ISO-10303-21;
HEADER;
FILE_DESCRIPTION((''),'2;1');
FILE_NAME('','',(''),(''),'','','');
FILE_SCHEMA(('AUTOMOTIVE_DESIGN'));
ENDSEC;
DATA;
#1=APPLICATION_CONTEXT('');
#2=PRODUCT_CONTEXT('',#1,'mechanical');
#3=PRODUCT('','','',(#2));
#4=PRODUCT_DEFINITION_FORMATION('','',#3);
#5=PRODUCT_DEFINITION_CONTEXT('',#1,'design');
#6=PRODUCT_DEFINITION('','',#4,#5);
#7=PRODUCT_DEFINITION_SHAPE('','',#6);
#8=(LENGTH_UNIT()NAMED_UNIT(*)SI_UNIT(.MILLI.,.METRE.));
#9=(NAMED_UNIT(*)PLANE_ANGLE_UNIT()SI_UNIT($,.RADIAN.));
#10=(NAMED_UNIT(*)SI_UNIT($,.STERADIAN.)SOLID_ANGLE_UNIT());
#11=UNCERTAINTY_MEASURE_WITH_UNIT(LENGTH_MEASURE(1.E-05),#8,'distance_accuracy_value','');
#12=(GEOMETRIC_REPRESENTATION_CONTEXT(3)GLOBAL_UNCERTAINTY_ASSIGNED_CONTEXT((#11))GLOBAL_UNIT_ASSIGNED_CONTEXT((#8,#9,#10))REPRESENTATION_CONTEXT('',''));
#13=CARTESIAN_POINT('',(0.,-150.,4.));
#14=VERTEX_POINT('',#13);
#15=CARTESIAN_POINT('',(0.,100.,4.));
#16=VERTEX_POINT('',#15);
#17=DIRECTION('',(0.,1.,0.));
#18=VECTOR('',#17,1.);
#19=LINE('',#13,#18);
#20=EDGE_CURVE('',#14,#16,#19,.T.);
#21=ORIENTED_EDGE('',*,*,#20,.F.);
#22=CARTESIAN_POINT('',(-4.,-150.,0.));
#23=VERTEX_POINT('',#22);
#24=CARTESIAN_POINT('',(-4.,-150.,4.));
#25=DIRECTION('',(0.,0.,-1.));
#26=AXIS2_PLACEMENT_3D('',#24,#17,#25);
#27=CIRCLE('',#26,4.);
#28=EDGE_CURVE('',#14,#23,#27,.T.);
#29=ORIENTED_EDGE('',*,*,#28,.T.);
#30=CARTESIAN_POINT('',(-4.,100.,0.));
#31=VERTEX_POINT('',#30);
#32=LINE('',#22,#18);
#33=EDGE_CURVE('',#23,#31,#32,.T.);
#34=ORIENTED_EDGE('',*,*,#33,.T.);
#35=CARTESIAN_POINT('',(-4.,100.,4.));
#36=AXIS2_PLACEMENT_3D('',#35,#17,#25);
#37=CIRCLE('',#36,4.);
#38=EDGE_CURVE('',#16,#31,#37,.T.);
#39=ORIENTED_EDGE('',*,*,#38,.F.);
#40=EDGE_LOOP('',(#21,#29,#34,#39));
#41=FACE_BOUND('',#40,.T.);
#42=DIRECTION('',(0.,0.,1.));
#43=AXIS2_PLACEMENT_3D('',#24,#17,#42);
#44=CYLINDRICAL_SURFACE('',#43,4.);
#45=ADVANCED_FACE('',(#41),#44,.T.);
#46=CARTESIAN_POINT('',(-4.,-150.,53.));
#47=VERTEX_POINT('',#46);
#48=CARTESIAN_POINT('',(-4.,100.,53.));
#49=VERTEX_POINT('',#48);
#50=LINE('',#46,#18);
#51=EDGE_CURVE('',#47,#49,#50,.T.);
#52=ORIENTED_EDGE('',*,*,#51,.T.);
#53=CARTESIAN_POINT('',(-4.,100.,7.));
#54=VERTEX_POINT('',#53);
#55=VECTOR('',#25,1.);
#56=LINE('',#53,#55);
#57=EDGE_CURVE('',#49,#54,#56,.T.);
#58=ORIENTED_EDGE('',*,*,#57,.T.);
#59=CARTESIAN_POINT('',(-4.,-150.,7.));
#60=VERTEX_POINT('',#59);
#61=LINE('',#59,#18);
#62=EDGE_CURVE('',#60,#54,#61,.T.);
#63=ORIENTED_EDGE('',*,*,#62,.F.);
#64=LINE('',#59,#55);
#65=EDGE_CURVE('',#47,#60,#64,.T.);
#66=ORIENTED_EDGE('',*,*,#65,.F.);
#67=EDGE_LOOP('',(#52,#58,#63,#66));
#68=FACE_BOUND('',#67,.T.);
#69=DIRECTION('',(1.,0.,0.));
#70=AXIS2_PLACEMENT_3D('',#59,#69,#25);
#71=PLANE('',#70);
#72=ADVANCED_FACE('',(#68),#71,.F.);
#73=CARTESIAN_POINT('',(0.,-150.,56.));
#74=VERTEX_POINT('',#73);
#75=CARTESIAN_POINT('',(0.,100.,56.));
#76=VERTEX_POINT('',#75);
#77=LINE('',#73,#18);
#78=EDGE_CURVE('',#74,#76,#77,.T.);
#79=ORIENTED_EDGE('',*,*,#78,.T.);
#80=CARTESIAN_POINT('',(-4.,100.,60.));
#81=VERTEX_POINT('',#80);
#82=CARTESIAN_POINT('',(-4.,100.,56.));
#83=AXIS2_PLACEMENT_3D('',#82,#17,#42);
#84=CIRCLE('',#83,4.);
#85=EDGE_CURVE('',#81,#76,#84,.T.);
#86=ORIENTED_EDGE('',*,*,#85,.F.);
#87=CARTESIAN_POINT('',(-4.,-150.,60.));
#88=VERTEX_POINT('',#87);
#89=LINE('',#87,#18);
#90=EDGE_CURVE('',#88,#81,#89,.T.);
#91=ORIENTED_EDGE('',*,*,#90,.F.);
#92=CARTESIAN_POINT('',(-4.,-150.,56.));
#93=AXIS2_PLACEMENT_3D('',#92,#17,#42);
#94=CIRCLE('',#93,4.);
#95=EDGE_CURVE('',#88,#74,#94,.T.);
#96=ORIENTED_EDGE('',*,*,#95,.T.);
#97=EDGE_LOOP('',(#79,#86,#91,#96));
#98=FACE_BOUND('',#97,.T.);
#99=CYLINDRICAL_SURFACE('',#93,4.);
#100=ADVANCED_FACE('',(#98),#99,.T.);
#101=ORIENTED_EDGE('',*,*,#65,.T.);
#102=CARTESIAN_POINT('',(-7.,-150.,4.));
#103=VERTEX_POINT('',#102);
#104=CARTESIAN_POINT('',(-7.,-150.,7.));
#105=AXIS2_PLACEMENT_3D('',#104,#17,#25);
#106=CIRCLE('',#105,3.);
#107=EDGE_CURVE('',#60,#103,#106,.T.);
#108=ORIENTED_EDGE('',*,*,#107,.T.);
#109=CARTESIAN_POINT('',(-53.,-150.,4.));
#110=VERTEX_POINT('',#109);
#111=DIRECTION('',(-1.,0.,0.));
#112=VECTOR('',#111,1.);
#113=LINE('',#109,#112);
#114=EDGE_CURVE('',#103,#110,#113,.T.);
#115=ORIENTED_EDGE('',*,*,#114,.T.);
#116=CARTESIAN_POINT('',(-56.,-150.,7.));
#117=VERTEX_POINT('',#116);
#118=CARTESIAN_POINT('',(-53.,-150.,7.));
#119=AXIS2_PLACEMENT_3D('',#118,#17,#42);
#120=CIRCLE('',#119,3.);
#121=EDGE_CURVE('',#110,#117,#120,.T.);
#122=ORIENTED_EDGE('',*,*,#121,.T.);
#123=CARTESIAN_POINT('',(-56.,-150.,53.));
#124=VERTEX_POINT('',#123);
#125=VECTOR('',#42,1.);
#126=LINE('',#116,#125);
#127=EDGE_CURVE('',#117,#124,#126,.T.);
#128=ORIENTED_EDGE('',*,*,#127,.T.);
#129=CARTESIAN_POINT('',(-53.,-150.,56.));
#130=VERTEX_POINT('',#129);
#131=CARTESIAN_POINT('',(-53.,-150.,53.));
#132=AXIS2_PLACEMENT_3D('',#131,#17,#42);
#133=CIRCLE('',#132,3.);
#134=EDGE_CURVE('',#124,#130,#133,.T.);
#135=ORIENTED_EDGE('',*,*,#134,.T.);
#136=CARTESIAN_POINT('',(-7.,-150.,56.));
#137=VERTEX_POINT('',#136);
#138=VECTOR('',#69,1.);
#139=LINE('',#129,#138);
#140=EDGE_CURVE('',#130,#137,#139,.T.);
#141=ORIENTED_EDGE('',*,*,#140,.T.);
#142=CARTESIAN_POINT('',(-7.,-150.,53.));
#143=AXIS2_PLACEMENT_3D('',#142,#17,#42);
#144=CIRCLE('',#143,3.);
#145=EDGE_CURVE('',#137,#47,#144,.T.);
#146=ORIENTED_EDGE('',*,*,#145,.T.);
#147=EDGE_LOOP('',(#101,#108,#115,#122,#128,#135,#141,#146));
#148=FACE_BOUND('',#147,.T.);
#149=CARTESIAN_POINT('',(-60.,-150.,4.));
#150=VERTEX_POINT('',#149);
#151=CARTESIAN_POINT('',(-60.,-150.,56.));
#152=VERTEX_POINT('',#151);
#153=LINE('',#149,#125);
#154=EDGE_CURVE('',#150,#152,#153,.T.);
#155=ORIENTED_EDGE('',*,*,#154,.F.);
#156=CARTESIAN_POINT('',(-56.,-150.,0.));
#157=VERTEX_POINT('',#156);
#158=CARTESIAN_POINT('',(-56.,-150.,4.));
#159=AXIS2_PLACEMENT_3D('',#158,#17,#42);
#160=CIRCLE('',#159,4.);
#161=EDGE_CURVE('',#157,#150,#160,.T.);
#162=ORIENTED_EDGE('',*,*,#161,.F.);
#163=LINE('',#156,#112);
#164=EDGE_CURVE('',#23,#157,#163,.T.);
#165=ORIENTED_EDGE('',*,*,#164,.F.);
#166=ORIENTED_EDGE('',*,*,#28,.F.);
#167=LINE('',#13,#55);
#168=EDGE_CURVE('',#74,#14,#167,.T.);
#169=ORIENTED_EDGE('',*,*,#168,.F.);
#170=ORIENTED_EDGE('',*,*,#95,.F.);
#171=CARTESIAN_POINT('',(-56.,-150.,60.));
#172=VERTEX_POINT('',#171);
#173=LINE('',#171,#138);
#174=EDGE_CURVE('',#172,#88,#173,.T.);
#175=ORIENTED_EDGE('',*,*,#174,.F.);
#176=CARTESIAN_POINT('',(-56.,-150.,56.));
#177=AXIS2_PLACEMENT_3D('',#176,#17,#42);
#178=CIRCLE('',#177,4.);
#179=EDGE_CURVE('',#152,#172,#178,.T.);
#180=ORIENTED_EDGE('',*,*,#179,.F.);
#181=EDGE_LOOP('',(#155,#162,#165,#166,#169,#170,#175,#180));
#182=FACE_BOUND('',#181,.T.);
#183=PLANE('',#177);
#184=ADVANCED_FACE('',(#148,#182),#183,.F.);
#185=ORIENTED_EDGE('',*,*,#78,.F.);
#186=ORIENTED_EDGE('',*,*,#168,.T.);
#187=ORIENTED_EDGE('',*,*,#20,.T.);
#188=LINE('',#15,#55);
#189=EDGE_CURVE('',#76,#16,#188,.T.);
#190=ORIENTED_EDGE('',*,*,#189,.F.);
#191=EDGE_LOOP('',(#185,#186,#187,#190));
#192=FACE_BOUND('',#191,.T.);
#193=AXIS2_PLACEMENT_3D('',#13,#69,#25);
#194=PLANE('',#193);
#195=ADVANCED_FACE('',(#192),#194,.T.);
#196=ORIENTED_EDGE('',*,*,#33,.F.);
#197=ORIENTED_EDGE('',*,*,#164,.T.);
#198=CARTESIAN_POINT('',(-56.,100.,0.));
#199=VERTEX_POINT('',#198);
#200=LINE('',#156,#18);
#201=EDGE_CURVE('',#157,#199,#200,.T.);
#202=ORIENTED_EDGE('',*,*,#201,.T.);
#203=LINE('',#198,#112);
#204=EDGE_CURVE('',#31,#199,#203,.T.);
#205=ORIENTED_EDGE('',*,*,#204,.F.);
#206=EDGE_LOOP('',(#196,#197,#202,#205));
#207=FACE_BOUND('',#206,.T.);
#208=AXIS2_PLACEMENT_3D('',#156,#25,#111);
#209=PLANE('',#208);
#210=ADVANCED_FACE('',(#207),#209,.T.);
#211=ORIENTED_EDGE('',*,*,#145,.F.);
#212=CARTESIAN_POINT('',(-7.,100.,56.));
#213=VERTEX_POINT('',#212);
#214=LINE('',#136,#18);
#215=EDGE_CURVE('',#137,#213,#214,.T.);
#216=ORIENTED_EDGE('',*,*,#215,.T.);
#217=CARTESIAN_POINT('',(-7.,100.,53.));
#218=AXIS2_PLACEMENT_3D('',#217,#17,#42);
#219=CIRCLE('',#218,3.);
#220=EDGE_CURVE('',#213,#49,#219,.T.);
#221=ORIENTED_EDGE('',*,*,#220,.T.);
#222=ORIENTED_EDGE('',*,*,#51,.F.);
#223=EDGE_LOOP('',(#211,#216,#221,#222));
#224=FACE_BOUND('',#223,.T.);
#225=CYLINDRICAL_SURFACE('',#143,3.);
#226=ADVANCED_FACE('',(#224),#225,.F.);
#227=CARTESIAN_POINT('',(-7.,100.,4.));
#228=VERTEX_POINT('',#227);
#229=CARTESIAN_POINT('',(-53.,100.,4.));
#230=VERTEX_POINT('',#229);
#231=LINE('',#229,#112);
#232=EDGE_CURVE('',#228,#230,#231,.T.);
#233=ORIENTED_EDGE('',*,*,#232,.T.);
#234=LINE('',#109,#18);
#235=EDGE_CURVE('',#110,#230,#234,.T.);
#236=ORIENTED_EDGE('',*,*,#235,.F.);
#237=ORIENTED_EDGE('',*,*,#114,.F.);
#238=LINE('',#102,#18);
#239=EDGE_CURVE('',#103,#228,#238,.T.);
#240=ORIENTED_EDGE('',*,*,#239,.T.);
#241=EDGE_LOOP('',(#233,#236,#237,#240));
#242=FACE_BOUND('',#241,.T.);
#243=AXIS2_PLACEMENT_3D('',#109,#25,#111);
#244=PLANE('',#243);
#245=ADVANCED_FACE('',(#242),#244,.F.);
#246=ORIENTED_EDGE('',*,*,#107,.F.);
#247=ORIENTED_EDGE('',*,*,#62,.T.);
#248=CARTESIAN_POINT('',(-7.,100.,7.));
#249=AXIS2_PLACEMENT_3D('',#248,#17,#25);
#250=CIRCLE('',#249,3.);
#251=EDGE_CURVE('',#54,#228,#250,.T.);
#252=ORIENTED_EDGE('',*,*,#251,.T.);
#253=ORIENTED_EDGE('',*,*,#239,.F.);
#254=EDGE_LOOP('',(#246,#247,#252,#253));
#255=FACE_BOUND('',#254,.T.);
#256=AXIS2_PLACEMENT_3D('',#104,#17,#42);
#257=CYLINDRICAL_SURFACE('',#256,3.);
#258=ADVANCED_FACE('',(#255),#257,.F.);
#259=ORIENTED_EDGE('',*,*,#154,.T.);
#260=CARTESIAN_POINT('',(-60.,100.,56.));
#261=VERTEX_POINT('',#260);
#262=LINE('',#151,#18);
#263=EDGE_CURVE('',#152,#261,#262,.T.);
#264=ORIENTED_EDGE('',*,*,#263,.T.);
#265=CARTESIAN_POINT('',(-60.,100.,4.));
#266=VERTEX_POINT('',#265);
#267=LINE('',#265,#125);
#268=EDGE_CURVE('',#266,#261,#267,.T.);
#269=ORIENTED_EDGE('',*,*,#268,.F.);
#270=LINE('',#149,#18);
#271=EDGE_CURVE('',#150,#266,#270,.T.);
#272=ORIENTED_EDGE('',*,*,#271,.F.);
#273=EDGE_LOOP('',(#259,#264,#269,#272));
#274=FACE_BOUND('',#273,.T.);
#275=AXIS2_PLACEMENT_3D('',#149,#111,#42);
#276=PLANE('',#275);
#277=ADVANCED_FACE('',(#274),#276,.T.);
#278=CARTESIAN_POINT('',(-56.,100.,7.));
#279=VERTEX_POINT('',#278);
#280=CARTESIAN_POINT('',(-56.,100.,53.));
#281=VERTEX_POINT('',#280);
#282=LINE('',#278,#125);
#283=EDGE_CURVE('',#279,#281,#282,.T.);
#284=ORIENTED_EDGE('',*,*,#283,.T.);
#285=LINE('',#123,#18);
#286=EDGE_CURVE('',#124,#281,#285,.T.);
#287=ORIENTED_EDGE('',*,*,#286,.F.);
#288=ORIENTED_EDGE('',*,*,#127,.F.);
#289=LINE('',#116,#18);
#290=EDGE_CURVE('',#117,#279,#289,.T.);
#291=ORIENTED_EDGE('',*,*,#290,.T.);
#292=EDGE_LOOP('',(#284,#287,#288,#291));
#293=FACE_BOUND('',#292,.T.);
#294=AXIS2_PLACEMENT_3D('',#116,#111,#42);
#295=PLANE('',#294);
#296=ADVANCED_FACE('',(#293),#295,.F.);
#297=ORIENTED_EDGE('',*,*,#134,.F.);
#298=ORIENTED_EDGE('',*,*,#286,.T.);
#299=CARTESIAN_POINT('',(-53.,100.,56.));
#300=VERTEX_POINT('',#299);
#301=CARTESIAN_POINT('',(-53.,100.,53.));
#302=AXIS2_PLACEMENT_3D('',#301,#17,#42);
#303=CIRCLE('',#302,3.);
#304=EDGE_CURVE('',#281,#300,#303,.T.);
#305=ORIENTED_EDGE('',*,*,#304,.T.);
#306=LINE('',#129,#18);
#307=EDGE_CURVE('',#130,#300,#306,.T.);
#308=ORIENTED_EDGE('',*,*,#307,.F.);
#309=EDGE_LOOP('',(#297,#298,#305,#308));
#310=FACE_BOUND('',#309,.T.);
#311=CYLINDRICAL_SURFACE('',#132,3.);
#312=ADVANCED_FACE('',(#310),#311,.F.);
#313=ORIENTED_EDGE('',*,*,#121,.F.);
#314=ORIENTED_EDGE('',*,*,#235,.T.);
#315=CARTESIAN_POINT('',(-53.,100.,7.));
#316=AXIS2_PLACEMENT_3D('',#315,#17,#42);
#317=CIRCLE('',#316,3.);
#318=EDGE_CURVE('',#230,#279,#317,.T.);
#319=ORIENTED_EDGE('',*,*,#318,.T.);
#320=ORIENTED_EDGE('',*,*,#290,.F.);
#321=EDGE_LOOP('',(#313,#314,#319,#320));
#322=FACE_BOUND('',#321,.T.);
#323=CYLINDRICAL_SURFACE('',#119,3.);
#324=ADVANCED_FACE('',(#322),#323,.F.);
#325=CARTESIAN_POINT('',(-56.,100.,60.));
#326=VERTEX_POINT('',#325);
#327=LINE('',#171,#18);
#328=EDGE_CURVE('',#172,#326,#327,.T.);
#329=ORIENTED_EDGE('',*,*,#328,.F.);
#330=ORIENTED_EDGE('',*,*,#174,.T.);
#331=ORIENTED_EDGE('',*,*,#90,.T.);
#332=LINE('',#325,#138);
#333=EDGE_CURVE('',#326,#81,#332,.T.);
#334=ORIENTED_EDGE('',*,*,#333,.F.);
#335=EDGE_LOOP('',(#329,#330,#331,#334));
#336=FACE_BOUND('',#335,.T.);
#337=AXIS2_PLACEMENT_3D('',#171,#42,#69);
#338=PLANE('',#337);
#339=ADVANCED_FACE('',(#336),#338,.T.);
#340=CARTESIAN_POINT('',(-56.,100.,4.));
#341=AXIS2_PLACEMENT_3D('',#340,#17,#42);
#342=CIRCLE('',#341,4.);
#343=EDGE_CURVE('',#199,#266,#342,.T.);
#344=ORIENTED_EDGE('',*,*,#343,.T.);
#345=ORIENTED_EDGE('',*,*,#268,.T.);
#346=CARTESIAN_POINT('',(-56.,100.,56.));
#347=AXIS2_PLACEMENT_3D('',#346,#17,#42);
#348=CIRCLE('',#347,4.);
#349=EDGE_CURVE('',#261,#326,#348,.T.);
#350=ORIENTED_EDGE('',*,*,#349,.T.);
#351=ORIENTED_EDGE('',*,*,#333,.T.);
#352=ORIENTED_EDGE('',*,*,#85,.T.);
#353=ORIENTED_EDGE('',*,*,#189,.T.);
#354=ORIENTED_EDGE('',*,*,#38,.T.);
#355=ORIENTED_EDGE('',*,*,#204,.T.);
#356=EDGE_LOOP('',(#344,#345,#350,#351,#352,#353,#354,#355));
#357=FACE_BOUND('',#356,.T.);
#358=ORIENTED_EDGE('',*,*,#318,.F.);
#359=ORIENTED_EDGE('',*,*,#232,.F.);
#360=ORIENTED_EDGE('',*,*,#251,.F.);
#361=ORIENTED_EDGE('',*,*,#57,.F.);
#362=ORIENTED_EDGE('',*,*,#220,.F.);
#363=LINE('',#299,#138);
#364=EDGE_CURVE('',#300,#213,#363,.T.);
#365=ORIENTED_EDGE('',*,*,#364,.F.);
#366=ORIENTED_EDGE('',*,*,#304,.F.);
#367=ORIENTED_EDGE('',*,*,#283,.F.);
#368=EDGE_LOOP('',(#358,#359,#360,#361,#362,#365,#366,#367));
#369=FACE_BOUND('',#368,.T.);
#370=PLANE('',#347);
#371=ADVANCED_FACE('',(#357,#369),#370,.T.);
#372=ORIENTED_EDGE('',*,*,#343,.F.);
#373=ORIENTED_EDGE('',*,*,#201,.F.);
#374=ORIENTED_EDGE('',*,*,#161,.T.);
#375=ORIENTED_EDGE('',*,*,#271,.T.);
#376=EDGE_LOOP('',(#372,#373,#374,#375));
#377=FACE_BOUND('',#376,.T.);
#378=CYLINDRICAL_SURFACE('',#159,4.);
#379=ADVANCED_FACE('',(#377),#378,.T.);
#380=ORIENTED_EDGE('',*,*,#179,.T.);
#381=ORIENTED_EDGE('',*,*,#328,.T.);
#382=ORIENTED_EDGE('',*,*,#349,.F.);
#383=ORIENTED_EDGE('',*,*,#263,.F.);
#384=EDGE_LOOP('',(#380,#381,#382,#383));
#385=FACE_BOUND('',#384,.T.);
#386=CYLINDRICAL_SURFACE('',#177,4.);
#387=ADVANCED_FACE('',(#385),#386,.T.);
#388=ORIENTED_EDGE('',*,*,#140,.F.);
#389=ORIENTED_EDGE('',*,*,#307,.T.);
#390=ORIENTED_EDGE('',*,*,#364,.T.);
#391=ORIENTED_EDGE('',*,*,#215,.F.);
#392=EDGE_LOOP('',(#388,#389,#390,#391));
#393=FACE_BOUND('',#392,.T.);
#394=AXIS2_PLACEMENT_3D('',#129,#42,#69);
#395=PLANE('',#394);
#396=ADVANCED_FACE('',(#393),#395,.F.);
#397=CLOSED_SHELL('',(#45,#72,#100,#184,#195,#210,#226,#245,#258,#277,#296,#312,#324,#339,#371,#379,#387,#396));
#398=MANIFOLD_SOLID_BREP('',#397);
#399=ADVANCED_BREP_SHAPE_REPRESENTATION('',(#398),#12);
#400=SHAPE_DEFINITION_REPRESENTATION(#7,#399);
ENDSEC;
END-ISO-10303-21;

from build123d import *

# Parameters (mm, degrees)
EXTRUDE_1_DEPTH      = 100
EXTRUDE_1_DEPTH_BACK = 150


with BuildPart() as part:
    # Эскиз1 → Бобышка-Вытянуть1 (new, two sides: drawn at the far end of the back side and taken through both)
    with BuildSketch(Plane(origin=(0, 0, 0), x_dir=(1, 0, 0), z_dir=(0, 1, 0)).offset(-EXTRUDE_1_DEPTH_BACK)):
        with BuildLine():
            Line((-56, 0), (-4, 0))
            ThreePointArc((-4, 0), (-1.171572875, -1.171572875), (0, -4))
            Line((0, -4), (0, -56))
            ThreePointArc((0, -56), (-1.171572875, -58.828427125), (-4, -60))
            Line((-4, -60), (-56, -60))
            ThreePointArc((-56, -60), (-58.828427125, -58.828427125), (-60, -56))
            Line((-60, -56), (-60, -4))
            ThreePointArc((-60, -4), (-58.828427125, -1.171572875), (-56, 0))
        make_face()
        with BuildLine():
            Line((-53, -4), (-7, -4))
            ThreePointArc((-7, -4), (-4.878679656, -4.878679656), (-4, -7))
            Line((-4, -7), (-4, -53))
            ThreePointArc((-4, -53), (-4.878679656, -55.121320344), (-7, -56))
            Line((-7, -56), (-53, -56))
            ThreePointArc((-53, -56), (-55.121320344, -55.121320344), (-56, -53))
            Line((-56, -53), (-56, -7))
            ThreePointArc((-56, -7), (-55.121320344, -4.878679656), (-53, -4))
        make_face(mode=Mode.SUBTRACT)
    extrude(amount=EXTRUDE_1_DEPTH + EXTRUDE_1_DEPTH_BACK)


solid = part.part
